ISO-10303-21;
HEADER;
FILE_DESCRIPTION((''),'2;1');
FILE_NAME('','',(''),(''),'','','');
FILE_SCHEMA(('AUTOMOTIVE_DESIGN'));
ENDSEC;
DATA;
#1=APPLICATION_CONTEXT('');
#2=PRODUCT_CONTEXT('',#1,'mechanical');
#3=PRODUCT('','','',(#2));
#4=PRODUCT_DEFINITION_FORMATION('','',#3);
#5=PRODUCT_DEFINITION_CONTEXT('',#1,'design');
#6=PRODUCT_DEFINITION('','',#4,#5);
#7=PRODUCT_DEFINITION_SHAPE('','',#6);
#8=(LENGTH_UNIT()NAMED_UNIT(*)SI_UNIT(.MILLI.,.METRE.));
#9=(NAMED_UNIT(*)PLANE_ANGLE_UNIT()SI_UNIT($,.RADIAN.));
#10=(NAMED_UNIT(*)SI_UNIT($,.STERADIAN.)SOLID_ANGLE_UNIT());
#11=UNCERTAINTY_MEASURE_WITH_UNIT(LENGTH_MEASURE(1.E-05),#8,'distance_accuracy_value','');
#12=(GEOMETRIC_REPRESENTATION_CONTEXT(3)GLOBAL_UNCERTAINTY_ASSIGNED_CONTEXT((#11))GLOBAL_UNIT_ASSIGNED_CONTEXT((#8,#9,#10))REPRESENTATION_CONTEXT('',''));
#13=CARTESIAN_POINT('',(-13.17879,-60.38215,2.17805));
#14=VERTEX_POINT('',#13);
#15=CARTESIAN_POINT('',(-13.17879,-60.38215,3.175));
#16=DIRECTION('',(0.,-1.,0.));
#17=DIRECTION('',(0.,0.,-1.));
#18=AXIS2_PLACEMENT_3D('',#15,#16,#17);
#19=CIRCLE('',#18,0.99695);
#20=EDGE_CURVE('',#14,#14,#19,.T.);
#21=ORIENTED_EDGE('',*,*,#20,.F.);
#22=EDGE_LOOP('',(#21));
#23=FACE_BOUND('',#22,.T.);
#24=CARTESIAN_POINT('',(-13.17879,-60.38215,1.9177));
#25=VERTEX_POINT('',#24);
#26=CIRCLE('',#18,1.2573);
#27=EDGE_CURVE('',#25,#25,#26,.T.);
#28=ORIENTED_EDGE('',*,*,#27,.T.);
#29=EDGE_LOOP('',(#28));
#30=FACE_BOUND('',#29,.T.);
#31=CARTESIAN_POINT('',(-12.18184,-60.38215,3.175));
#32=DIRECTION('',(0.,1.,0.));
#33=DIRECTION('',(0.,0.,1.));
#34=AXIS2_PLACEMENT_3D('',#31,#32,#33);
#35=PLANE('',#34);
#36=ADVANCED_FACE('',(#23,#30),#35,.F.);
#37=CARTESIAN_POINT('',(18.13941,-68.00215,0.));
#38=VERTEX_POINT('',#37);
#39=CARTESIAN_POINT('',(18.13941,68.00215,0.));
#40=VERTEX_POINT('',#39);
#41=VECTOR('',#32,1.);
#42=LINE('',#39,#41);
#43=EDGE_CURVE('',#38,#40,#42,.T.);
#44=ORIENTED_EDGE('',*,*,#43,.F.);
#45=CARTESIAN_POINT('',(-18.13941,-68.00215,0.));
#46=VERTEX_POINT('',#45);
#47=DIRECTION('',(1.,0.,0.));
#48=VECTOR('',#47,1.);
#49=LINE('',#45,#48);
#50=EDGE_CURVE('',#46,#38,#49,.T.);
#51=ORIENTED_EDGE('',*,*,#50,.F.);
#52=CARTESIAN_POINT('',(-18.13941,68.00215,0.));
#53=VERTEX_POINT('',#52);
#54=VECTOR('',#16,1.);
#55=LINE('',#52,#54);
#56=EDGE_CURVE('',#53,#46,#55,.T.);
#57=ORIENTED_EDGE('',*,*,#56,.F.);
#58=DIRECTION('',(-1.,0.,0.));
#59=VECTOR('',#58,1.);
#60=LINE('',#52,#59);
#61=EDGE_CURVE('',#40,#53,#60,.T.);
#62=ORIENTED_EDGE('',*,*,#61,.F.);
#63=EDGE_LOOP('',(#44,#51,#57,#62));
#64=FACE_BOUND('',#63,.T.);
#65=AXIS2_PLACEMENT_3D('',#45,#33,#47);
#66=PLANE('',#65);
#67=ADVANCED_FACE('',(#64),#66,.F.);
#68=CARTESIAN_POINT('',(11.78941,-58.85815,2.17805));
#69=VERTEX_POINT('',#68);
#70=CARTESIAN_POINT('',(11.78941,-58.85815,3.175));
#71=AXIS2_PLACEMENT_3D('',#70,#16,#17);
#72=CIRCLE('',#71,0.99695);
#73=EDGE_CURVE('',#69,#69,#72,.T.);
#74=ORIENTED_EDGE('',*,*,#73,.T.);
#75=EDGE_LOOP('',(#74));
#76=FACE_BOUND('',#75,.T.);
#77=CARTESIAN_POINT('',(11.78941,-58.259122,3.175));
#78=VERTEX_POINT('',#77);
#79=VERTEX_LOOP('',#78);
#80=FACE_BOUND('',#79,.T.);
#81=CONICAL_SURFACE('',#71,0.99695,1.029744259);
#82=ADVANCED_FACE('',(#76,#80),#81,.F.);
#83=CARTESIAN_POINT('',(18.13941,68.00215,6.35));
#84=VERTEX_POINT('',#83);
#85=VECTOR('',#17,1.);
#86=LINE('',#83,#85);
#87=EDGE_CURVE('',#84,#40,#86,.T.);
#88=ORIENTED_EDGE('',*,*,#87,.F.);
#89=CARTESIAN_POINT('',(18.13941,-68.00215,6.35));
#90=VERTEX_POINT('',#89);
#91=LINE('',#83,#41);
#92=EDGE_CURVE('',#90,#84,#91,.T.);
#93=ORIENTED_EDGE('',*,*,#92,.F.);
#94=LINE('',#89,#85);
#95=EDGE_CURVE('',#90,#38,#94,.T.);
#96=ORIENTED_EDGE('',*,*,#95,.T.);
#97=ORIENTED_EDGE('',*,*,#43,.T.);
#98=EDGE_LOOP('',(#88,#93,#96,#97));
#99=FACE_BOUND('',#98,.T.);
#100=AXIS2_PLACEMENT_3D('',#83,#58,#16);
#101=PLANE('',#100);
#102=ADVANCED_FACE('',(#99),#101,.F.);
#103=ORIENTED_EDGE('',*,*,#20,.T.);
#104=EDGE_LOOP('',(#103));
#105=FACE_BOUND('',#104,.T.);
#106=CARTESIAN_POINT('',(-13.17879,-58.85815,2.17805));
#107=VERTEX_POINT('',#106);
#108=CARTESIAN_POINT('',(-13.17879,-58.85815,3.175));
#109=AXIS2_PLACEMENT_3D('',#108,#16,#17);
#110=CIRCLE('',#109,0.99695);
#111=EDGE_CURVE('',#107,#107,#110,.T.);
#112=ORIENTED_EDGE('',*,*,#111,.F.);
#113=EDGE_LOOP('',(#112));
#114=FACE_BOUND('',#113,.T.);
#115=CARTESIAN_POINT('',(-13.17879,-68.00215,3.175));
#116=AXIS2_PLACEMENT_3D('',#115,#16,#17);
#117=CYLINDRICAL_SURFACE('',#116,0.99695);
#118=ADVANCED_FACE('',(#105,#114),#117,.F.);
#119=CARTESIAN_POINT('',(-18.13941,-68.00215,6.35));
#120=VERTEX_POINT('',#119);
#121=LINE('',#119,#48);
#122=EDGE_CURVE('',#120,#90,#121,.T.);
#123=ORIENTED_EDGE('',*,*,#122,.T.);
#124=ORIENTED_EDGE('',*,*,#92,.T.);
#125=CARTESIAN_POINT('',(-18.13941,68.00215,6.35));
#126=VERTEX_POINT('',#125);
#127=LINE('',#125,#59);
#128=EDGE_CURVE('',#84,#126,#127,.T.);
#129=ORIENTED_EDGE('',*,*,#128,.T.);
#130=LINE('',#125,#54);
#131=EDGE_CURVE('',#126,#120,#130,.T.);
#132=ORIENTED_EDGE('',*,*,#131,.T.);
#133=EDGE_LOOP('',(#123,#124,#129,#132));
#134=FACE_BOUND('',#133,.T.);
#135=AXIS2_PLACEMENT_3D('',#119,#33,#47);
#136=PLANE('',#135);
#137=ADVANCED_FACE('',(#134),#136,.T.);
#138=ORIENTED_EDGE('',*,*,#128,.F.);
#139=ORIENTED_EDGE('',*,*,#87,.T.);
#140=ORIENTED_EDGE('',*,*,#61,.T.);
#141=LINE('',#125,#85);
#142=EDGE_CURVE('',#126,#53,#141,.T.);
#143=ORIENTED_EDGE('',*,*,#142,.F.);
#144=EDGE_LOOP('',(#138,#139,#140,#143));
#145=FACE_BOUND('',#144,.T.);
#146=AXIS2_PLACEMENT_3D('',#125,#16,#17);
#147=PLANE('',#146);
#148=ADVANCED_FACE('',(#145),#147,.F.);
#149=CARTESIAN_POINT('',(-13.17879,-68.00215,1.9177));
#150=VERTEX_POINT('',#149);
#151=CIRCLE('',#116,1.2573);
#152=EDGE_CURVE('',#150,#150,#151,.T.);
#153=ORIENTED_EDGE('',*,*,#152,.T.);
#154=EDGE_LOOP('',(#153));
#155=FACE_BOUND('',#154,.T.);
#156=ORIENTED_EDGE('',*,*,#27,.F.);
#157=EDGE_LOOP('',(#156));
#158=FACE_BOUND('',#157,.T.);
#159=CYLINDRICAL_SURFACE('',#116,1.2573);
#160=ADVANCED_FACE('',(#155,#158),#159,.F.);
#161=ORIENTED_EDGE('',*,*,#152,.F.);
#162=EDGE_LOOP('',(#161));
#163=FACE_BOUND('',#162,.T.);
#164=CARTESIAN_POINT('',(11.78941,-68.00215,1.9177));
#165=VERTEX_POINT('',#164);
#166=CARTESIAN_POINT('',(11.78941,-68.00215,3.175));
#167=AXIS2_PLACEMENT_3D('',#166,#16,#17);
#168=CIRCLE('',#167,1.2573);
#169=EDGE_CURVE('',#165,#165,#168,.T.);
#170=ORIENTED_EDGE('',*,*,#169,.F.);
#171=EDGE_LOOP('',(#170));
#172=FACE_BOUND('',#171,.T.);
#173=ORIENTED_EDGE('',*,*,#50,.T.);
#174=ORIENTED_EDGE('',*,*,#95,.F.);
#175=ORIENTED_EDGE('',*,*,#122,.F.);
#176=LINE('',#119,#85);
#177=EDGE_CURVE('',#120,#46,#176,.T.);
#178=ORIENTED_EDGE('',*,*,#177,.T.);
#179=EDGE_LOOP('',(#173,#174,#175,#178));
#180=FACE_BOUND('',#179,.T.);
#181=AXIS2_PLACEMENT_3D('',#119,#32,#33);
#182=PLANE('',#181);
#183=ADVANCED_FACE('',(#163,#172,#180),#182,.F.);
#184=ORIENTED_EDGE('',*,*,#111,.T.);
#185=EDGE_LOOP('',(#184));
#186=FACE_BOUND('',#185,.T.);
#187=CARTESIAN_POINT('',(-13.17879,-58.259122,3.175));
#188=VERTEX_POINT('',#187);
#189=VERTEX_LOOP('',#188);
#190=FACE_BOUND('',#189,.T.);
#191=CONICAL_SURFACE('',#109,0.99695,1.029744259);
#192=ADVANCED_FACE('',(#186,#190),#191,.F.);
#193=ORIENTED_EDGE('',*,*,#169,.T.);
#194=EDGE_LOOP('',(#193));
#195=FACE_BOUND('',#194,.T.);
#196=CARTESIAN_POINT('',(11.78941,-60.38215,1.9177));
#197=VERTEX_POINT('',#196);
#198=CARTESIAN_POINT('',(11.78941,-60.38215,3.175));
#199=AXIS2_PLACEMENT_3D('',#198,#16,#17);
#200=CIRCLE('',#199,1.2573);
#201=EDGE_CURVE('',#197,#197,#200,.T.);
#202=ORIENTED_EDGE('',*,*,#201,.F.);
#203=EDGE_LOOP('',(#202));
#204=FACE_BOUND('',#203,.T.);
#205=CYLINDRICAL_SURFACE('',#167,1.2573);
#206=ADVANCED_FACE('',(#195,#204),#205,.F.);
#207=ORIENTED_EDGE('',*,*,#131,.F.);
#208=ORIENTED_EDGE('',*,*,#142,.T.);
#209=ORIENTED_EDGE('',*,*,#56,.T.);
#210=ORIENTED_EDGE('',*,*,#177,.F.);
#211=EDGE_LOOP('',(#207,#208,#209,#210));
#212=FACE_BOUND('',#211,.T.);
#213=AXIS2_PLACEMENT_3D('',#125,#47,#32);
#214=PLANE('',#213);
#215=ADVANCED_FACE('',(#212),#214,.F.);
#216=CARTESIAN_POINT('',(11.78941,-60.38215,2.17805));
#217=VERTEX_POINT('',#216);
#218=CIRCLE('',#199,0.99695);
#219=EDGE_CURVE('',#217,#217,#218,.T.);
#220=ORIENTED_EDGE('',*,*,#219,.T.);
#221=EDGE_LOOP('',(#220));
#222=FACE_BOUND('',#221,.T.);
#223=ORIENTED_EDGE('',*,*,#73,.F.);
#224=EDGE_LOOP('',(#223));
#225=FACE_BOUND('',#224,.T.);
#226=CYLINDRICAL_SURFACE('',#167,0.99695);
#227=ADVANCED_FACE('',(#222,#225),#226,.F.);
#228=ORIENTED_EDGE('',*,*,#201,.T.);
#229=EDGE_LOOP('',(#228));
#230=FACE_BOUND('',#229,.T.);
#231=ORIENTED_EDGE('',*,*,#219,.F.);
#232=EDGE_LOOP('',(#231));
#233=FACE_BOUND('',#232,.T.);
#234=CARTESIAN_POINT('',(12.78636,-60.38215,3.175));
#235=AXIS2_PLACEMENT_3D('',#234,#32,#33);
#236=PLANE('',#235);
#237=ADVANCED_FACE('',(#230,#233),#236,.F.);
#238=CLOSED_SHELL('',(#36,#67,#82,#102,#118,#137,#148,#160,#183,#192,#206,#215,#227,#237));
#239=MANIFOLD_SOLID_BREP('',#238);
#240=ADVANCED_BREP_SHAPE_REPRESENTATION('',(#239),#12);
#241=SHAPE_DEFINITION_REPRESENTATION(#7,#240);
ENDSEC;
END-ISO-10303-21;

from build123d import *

# Parameters (mm, degrees)
SKETCH1_W                       = 36.27882
SKETCH1_H                       = 136.0043
EXTRUDE1_DEPTH                  = 6.35
F_3_48_TAPPED_HOLE1_D           = 1.9939
F_3_48_TAPPED_HOLE1_DEPTH       = 9.144
F_3_48_TAPPED_HOLE1_CBORE_D     = 2.5146
F_3_48_TAPPED_HOLE1_CBORE_DEPTH = 7.62
F_3_48_TAPPED_HOLE1_TIP         = 0.599027994


with BuildPart() as part:
    # Sketch1 → Extrude1 (new body)
    with BuildSketch(Plane.XY):
        Rectangle(SKETCH1_W, SKETCH1_H)
    extrude(amount=EXTRUDE1_DEPTH)

    # #3-48 Tapped Hole1
    with Locations(Plane(origin=(-14.071004552, -68.00215, 88.900648793), x_dir=(0, 0, -1), z_dir=(0, -1, 0))):
        with Locations((85.725648793, 25.860414552), (85.725648793, 0.892214552)):
            CounterBoreHole(F_3_48_TAPPED_HOLE1_D / 2, F_3_48_TAPPED_HOLE1_CBORE_D / 2, F_3_48_TAPPED_HOLE1_CBORE_DEPTH, depth=F_3_48_TAPPED_HOLE1_DEPTH)
            with Locations((0, 0, -(F_3_48_TAPPED_HOLE1_DEPTH + F_3_48_TAPPED_HOLE1_TIP / 2))):  # 118° drill point
                Cone(0, F_3_48_TAPPED_HOLE1_D / 2, F_3_48_TAPPED_HOLE1_TIP, mode=Mode.SUBTRACT)


solid = part.part
